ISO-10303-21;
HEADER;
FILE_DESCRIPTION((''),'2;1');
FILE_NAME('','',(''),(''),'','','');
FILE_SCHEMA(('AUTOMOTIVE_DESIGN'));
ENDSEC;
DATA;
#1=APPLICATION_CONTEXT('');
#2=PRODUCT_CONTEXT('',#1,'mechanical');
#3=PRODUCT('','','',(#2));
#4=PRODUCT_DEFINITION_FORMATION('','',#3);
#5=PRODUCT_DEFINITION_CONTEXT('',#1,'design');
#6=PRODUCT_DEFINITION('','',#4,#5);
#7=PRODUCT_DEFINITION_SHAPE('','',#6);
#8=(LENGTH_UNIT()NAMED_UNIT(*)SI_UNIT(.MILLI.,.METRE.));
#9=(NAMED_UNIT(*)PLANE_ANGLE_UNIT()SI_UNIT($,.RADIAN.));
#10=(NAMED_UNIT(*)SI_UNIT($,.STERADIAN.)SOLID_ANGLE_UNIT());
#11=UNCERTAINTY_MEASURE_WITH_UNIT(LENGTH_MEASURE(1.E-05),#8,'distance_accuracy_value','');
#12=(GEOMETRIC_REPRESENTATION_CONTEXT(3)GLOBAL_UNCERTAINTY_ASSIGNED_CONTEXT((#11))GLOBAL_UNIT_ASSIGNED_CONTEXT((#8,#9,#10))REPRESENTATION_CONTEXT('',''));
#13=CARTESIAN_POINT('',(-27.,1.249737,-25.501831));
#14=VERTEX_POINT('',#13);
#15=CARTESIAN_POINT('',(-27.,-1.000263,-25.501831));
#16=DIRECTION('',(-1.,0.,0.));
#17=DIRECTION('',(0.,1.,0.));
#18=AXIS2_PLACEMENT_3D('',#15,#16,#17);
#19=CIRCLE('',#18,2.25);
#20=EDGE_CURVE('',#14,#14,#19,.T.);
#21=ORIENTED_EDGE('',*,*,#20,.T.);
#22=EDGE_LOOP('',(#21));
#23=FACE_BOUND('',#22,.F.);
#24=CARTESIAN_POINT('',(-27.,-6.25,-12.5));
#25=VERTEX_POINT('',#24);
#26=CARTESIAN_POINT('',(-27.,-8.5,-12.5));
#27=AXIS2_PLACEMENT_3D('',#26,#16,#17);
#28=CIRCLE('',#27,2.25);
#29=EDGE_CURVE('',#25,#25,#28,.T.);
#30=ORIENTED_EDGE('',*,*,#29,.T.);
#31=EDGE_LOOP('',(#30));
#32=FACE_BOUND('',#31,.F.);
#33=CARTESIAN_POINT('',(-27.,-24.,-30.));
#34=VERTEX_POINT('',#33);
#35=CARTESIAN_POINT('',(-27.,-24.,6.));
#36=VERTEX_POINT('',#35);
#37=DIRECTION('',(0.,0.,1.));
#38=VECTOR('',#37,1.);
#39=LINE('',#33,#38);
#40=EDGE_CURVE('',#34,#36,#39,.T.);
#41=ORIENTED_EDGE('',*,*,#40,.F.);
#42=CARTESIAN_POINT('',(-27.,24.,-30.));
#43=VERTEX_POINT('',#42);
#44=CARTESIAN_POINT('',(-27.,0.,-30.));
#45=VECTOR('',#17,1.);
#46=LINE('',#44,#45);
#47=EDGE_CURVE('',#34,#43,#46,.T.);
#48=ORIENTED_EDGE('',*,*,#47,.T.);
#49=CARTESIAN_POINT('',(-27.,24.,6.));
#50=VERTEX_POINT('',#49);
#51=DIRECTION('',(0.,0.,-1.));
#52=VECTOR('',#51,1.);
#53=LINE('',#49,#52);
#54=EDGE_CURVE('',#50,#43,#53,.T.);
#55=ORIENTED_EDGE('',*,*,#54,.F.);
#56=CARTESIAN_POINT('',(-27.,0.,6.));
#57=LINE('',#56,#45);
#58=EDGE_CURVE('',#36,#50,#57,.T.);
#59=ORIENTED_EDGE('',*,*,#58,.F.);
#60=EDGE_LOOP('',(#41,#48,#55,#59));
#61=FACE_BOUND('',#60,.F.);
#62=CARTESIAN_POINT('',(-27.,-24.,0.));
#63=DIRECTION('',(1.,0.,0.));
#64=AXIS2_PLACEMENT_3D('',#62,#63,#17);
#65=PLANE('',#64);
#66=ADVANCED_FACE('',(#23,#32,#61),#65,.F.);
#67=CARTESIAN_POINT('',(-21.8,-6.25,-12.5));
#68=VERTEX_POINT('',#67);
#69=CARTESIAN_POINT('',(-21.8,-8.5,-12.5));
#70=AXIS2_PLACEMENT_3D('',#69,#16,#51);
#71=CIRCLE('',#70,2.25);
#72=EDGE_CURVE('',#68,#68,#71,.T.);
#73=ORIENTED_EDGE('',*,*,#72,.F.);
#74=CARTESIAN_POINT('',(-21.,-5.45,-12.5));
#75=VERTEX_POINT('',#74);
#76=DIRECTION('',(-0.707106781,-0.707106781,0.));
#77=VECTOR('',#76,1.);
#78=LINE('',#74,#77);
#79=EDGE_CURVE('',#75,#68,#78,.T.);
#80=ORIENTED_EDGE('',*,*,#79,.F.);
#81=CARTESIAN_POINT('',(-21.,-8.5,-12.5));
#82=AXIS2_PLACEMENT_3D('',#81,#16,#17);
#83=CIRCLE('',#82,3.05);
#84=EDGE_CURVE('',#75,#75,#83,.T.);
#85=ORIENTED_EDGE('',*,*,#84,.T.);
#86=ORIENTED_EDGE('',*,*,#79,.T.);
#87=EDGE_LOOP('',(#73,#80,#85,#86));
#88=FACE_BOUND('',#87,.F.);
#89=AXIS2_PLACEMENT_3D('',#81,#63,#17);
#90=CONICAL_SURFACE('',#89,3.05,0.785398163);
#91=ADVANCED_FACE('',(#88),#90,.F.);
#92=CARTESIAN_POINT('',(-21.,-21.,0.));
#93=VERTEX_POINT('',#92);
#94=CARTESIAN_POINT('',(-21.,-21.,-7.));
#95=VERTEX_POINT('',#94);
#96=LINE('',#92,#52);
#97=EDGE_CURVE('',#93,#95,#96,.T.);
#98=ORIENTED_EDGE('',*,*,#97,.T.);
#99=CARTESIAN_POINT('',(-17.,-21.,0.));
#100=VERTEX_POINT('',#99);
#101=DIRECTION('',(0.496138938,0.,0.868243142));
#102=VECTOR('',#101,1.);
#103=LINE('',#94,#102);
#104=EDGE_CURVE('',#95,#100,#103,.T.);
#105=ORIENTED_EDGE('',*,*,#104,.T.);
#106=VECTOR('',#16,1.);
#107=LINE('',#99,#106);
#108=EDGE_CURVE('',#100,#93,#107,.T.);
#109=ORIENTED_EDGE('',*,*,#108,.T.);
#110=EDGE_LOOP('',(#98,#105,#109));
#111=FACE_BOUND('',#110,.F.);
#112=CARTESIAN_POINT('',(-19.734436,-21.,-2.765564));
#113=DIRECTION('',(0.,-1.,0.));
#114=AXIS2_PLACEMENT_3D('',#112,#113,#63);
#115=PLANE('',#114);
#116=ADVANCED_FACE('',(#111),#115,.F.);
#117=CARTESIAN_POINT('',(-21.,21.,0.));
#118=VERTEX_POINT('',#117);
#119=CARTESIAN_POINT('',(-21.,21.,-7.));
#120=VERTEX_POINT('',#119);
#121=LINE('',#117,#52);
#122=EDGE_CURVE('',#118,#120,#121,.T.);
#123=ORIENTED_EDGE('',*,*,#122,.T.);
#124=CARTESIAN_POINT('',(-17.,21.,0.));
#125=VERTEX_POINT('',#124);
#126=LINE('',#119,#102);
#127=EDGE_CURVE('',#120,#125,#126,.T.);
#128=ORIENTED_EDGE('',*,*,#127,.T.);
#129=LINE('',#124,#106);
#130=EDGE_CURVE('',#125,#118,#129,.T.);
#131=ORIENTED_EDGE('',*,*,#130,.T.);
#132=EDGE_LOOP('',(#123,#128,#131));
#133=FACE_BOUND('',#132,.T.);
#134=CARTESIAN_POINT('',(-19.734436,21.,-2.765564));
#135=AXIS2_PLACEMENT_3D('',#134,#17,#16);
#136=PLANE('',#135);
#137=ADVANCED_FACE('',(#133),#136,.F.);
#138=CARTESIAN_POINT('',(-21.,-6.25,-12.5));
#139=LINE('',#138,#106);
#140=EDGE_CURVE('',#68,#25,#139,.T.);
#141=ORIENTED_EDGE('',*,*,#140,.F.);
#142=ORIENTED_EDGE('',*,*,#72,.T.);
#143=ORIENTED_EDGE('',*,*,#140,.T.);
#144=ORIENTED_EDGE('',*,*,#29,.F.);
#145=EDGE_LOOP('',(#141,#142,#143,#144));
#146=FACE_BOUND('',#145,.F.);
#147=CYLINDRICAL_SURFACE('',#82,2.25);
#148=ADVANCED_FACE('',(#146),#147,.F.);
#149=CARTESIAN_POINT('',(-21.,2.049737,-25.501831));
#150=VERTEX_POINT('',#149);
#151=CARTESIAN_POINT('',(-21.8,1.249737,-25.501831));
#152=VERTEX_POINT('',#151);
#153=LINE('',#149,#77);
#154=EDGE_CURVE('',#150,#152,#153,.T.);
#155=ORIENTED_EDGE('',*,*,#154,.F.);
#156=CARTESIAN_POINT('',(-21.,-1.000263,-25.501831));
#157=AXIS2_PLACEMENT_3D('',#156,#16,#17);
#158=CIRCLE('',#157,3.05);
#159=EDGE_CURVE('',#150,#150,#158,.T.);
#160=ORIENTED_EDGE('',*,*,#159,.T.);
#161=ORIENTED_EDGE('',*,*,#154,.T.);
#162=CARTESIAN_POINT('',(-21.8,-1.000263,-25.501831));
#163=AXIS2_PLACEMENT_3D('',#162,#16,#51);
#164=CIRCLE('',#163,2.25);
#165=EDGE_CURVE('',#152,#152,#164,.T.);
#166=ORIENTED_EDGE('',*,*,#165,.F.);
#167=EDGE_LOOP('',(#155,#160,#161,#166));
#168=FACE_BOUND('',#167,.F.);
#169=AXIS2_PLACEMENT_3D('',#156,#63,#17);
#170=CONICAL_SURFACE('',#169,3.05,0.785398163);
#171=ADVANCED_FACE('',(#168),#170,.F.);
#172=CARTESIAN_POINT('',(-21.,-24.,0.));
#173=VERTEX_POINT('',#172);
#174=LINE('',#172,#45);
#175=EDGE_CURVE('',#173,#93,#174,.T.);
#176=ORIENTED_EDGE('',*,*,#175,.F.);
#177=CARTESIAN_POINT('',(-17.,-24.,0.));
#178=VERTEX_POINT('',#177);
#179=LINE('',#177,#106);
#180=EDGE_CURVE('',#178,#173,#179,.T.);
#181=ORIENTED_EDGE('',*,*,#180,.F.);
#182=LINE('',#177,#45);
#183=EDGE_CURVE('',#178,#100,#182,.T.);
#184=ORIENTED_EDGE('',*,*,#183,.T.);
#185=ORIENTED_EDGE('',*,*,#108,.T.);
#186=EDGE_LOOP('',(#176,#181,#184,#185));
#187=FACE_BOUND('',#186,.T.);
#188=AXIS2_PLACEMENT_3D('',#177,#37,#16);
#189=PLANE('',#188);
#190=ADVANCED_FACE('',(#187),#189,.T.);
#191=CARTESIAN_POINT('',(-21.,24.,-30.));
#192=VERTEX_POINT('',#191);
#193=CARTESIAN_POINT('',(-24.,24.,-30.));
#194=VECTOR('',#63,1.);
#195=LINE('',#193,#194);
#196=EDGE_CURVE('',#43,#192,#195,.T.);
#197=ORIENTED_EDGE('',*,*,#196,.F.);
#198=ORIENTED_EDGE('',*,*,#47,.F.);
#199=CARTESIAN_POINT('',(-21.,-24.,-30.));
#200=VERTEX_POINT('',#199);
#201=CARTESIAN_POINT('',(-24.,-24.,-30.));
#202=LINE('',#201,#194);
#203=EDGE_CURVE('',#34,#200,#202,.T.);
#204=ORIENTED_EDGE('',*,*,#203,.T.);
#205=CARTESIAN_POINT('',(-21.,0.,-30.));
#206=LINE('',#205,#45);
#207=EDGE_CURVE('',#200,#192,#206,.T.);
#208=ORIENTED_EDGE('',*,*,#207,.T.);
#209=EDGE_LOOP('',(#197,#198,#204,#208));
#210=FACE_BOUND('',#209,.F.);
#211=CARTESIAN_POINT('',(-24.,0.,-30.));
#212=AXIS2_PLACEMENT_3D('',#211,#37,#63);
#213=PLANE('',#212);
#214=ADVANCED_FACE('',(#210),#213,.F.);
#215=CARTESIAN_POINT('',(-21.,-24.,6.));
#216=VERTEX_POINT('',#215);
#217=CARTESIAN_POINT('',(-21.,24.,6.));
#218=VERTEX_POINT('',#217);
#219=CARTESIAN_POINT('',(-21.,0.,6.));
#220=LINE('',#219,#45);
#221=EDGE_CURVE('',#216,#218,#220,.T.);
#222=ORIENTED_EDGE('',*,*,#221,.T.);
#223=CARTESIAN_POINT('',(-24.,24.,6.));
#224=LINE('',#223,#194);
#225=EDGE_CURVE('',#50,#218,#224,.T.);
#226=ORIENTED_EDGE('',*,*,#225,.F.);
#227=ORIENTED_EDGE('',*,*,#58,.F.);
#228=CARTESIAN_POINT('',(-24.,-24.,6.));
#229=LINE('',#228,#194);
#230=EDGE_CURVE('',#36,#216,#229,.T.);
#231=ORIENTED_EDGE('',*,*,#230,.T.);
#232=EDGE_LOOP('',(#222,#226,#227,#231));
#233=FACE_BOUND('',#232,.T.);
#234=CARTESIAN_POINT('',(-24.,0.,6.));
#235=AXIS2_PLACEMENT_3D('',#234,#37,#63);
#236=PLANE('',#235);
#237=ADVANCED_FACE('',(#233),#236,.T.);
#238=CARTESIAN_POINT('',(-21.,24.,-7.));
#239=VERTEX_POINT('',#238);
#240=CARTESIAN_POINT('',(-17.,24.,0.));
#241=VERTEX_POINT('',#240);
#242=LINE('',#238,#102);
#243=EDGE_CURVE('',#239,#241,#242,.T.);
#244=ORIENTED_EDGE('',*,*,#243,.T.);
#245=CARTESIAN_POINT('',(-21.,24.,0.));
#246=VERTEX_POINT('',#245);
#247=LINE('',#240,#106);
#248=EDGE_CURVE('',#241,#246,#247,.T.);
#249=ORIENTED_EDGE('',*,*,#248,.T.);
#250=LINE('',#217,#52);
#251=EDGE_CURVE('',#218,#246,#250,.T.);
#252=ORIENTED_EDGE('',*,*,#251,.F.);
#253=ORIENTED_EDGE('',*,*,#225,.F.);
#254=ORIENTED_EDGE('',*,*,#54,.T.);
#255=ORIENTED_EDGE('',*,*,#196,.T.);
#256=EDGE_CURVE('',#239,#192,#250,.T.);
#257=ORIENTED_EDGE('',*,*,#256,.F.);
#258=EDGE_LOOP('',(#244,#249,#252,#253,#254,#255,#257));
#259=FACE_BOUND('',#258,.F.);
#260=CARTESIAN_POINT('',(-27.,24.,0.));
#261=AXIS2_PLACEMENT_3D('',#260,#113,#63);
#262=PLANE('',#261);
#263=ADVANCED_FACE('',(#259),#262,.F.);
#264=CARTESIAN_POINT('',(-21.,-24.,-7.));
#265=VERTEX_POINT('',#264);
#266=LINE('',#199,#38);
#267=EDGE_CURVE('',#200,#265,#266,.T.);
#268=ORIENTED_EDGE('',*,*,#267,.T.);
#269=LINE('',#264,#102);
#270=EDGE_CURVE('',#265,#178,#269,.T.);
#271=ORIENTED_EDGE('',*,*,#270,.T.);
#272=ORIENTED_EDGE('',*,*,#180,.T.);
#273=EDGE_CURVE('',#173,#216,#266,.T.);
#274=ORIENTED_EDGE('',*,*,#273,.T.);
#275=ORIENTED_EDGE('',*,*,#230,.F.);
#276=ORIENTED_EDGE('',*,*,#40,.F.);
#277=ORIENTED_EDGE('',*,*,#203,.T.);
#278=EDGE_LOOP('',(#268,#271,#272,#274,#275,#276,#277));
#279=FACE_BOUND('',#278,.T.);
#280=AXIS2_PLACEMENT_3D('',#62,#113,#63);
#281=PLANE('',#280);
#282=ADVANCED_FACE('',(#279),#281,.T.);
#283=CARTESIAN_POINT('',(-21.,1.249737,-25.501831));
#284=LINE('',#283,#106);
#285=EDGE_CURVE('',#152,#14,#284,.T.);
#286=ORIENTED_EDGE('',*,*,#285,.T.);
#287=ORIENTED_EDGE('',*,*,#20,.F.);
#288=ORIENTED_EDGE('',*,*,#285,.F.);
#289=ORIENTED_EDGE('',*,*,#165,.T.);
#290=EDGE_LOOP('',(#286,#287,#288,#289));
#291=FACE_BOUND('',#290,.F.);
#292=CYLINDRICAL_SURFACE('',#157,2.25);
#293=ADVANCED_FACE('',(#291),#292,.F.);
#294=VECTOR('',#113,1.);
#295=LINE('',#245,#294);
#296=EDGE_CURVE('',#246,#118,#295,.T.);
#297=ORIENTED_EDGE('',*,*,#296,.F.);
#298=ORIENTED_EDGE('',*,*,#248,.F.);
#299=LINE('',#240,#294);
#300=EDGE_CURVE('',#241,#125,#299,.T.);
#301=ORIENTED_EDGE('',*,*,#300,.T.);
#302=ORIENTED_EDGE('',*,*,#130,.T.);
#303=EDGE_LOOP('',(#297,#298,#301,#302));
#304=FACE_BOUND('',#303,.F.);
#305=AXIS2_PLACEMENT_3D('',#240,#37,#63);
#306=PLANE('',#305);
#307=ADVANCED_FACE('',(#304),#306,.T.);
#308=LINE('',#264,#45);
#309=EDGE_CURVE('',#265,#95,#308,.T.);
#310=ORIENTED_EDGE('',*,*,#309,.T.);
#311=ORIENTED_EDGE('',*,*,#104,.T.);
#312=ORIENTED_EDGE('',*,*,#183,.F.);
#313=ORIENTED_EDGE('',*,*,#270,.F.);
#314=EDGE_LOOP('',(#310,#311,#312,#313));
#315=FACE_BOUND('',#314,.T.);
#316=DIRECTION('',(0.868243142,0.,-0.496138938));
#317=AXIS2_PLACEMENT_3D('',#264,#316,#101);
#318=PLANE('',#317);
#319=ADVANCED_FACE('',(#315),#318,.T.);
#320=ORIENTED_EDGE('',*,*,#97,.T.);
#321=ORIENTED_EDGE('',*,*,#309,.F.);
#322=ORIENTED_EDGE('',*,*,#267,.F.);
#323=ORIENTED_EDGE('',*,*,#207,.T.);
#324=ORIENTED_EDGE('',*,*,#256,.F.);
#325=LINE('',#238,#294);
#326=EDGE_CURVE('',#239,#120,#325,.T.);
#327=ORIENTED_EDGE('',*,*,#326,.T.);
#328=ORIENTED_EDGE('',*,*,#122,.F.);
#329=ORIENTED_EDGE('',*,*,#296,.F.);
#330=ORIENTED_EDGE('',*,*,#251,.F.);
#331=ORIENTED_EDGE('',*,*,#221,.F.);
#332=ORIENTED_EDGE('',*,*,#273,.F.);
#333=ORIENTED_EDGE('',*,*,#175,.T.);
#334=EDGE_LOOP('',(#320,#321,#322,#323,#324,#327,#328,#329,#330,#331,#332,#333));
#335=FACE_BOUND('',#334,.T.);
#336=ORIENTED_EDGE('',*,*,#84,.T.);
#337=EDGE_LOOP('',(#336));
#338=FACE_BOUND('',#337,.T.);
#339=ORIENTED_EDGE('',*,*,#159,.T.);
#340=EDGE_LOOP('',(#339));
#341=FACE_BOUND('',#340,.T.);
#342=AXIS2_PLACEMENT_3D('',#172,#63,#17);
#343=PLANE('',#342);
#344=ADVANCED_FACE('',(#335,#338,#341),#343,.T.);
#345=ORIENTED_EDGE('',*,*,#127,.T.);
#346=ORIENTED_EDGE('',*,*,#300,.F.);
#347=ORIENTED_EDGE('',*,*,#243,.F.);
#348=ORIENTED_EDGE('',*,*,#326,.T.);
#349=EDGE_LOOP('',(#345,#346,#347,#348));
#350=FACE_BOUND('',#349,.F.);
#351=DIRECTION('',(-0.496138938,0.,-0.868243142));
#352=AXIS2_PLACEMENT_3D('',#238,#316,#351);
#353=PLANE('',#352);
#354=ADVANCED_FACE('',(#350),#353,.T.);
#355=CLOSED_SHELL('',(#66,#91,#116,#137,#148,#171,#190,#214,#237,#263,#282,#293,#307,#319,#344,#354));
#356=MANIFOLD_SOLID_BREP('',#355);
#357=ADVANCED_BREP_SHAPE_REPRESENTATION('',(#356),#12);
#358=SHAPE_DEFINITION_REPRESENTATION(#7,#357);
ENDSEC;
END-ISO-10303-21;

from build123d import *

# Parameters (mm, degrees)
SKETCH002_W         = 6
SKETCH002_H         = 48
PAD001_DEPTH        = 6
PAD001_DEPTH_BACK   = 30
PAD002_DEPTH        = 3
HOLE004_D           = 4.5
HOLE004_DEPTH       = 25
HOLE004_CSINK_D     = 6.1
HOLE004_CSINK_ANGLE = 90


with BuildPart() as part:
    # Sketch002 (on Face1 of Binder001) → Pad001 (new body, two sides)
    with BuildSketch(Plane.XY) as pad001_sk:
        with Locations((-24, 0)):
            Rectangle(SKETCH002_W, SKETCH002_H)
    extrude(amount=PAD001_DEPTH)
    extrude(pad001_sk.sketch, amount=-PAD001_DEPTH_BACK)

    # Sketch003 (on Face3 of Pad001) → Pad002 (join)
    with BuildSketch(Plane.XZ.offset(24)):
        Polygon((-21, 0), (-21, -7), (-17, 0), align=None)
    pad002 = extrude(amount=-PAD002_DEPTH)

    # Mirrored: Pad002 across XZ
    add(pad002.mirror(Plane.XZ))

    # Hole004
    with Locations(Plane(origin=(-21, -191, 0), x_dir=(0, -1, 0), z_dir=(1, 0, 0))):
        with Locations((-189.999737, 25.501831), (-182.5, 12.5)):
            CounterSinkHole(HOLE004_D / 2, HOLE004_CSINK_D / 2, depth=HOLE004_DEPTH, counter_sink_angle=HOLE004_CSINK_ANGLE)


solid = part.part
